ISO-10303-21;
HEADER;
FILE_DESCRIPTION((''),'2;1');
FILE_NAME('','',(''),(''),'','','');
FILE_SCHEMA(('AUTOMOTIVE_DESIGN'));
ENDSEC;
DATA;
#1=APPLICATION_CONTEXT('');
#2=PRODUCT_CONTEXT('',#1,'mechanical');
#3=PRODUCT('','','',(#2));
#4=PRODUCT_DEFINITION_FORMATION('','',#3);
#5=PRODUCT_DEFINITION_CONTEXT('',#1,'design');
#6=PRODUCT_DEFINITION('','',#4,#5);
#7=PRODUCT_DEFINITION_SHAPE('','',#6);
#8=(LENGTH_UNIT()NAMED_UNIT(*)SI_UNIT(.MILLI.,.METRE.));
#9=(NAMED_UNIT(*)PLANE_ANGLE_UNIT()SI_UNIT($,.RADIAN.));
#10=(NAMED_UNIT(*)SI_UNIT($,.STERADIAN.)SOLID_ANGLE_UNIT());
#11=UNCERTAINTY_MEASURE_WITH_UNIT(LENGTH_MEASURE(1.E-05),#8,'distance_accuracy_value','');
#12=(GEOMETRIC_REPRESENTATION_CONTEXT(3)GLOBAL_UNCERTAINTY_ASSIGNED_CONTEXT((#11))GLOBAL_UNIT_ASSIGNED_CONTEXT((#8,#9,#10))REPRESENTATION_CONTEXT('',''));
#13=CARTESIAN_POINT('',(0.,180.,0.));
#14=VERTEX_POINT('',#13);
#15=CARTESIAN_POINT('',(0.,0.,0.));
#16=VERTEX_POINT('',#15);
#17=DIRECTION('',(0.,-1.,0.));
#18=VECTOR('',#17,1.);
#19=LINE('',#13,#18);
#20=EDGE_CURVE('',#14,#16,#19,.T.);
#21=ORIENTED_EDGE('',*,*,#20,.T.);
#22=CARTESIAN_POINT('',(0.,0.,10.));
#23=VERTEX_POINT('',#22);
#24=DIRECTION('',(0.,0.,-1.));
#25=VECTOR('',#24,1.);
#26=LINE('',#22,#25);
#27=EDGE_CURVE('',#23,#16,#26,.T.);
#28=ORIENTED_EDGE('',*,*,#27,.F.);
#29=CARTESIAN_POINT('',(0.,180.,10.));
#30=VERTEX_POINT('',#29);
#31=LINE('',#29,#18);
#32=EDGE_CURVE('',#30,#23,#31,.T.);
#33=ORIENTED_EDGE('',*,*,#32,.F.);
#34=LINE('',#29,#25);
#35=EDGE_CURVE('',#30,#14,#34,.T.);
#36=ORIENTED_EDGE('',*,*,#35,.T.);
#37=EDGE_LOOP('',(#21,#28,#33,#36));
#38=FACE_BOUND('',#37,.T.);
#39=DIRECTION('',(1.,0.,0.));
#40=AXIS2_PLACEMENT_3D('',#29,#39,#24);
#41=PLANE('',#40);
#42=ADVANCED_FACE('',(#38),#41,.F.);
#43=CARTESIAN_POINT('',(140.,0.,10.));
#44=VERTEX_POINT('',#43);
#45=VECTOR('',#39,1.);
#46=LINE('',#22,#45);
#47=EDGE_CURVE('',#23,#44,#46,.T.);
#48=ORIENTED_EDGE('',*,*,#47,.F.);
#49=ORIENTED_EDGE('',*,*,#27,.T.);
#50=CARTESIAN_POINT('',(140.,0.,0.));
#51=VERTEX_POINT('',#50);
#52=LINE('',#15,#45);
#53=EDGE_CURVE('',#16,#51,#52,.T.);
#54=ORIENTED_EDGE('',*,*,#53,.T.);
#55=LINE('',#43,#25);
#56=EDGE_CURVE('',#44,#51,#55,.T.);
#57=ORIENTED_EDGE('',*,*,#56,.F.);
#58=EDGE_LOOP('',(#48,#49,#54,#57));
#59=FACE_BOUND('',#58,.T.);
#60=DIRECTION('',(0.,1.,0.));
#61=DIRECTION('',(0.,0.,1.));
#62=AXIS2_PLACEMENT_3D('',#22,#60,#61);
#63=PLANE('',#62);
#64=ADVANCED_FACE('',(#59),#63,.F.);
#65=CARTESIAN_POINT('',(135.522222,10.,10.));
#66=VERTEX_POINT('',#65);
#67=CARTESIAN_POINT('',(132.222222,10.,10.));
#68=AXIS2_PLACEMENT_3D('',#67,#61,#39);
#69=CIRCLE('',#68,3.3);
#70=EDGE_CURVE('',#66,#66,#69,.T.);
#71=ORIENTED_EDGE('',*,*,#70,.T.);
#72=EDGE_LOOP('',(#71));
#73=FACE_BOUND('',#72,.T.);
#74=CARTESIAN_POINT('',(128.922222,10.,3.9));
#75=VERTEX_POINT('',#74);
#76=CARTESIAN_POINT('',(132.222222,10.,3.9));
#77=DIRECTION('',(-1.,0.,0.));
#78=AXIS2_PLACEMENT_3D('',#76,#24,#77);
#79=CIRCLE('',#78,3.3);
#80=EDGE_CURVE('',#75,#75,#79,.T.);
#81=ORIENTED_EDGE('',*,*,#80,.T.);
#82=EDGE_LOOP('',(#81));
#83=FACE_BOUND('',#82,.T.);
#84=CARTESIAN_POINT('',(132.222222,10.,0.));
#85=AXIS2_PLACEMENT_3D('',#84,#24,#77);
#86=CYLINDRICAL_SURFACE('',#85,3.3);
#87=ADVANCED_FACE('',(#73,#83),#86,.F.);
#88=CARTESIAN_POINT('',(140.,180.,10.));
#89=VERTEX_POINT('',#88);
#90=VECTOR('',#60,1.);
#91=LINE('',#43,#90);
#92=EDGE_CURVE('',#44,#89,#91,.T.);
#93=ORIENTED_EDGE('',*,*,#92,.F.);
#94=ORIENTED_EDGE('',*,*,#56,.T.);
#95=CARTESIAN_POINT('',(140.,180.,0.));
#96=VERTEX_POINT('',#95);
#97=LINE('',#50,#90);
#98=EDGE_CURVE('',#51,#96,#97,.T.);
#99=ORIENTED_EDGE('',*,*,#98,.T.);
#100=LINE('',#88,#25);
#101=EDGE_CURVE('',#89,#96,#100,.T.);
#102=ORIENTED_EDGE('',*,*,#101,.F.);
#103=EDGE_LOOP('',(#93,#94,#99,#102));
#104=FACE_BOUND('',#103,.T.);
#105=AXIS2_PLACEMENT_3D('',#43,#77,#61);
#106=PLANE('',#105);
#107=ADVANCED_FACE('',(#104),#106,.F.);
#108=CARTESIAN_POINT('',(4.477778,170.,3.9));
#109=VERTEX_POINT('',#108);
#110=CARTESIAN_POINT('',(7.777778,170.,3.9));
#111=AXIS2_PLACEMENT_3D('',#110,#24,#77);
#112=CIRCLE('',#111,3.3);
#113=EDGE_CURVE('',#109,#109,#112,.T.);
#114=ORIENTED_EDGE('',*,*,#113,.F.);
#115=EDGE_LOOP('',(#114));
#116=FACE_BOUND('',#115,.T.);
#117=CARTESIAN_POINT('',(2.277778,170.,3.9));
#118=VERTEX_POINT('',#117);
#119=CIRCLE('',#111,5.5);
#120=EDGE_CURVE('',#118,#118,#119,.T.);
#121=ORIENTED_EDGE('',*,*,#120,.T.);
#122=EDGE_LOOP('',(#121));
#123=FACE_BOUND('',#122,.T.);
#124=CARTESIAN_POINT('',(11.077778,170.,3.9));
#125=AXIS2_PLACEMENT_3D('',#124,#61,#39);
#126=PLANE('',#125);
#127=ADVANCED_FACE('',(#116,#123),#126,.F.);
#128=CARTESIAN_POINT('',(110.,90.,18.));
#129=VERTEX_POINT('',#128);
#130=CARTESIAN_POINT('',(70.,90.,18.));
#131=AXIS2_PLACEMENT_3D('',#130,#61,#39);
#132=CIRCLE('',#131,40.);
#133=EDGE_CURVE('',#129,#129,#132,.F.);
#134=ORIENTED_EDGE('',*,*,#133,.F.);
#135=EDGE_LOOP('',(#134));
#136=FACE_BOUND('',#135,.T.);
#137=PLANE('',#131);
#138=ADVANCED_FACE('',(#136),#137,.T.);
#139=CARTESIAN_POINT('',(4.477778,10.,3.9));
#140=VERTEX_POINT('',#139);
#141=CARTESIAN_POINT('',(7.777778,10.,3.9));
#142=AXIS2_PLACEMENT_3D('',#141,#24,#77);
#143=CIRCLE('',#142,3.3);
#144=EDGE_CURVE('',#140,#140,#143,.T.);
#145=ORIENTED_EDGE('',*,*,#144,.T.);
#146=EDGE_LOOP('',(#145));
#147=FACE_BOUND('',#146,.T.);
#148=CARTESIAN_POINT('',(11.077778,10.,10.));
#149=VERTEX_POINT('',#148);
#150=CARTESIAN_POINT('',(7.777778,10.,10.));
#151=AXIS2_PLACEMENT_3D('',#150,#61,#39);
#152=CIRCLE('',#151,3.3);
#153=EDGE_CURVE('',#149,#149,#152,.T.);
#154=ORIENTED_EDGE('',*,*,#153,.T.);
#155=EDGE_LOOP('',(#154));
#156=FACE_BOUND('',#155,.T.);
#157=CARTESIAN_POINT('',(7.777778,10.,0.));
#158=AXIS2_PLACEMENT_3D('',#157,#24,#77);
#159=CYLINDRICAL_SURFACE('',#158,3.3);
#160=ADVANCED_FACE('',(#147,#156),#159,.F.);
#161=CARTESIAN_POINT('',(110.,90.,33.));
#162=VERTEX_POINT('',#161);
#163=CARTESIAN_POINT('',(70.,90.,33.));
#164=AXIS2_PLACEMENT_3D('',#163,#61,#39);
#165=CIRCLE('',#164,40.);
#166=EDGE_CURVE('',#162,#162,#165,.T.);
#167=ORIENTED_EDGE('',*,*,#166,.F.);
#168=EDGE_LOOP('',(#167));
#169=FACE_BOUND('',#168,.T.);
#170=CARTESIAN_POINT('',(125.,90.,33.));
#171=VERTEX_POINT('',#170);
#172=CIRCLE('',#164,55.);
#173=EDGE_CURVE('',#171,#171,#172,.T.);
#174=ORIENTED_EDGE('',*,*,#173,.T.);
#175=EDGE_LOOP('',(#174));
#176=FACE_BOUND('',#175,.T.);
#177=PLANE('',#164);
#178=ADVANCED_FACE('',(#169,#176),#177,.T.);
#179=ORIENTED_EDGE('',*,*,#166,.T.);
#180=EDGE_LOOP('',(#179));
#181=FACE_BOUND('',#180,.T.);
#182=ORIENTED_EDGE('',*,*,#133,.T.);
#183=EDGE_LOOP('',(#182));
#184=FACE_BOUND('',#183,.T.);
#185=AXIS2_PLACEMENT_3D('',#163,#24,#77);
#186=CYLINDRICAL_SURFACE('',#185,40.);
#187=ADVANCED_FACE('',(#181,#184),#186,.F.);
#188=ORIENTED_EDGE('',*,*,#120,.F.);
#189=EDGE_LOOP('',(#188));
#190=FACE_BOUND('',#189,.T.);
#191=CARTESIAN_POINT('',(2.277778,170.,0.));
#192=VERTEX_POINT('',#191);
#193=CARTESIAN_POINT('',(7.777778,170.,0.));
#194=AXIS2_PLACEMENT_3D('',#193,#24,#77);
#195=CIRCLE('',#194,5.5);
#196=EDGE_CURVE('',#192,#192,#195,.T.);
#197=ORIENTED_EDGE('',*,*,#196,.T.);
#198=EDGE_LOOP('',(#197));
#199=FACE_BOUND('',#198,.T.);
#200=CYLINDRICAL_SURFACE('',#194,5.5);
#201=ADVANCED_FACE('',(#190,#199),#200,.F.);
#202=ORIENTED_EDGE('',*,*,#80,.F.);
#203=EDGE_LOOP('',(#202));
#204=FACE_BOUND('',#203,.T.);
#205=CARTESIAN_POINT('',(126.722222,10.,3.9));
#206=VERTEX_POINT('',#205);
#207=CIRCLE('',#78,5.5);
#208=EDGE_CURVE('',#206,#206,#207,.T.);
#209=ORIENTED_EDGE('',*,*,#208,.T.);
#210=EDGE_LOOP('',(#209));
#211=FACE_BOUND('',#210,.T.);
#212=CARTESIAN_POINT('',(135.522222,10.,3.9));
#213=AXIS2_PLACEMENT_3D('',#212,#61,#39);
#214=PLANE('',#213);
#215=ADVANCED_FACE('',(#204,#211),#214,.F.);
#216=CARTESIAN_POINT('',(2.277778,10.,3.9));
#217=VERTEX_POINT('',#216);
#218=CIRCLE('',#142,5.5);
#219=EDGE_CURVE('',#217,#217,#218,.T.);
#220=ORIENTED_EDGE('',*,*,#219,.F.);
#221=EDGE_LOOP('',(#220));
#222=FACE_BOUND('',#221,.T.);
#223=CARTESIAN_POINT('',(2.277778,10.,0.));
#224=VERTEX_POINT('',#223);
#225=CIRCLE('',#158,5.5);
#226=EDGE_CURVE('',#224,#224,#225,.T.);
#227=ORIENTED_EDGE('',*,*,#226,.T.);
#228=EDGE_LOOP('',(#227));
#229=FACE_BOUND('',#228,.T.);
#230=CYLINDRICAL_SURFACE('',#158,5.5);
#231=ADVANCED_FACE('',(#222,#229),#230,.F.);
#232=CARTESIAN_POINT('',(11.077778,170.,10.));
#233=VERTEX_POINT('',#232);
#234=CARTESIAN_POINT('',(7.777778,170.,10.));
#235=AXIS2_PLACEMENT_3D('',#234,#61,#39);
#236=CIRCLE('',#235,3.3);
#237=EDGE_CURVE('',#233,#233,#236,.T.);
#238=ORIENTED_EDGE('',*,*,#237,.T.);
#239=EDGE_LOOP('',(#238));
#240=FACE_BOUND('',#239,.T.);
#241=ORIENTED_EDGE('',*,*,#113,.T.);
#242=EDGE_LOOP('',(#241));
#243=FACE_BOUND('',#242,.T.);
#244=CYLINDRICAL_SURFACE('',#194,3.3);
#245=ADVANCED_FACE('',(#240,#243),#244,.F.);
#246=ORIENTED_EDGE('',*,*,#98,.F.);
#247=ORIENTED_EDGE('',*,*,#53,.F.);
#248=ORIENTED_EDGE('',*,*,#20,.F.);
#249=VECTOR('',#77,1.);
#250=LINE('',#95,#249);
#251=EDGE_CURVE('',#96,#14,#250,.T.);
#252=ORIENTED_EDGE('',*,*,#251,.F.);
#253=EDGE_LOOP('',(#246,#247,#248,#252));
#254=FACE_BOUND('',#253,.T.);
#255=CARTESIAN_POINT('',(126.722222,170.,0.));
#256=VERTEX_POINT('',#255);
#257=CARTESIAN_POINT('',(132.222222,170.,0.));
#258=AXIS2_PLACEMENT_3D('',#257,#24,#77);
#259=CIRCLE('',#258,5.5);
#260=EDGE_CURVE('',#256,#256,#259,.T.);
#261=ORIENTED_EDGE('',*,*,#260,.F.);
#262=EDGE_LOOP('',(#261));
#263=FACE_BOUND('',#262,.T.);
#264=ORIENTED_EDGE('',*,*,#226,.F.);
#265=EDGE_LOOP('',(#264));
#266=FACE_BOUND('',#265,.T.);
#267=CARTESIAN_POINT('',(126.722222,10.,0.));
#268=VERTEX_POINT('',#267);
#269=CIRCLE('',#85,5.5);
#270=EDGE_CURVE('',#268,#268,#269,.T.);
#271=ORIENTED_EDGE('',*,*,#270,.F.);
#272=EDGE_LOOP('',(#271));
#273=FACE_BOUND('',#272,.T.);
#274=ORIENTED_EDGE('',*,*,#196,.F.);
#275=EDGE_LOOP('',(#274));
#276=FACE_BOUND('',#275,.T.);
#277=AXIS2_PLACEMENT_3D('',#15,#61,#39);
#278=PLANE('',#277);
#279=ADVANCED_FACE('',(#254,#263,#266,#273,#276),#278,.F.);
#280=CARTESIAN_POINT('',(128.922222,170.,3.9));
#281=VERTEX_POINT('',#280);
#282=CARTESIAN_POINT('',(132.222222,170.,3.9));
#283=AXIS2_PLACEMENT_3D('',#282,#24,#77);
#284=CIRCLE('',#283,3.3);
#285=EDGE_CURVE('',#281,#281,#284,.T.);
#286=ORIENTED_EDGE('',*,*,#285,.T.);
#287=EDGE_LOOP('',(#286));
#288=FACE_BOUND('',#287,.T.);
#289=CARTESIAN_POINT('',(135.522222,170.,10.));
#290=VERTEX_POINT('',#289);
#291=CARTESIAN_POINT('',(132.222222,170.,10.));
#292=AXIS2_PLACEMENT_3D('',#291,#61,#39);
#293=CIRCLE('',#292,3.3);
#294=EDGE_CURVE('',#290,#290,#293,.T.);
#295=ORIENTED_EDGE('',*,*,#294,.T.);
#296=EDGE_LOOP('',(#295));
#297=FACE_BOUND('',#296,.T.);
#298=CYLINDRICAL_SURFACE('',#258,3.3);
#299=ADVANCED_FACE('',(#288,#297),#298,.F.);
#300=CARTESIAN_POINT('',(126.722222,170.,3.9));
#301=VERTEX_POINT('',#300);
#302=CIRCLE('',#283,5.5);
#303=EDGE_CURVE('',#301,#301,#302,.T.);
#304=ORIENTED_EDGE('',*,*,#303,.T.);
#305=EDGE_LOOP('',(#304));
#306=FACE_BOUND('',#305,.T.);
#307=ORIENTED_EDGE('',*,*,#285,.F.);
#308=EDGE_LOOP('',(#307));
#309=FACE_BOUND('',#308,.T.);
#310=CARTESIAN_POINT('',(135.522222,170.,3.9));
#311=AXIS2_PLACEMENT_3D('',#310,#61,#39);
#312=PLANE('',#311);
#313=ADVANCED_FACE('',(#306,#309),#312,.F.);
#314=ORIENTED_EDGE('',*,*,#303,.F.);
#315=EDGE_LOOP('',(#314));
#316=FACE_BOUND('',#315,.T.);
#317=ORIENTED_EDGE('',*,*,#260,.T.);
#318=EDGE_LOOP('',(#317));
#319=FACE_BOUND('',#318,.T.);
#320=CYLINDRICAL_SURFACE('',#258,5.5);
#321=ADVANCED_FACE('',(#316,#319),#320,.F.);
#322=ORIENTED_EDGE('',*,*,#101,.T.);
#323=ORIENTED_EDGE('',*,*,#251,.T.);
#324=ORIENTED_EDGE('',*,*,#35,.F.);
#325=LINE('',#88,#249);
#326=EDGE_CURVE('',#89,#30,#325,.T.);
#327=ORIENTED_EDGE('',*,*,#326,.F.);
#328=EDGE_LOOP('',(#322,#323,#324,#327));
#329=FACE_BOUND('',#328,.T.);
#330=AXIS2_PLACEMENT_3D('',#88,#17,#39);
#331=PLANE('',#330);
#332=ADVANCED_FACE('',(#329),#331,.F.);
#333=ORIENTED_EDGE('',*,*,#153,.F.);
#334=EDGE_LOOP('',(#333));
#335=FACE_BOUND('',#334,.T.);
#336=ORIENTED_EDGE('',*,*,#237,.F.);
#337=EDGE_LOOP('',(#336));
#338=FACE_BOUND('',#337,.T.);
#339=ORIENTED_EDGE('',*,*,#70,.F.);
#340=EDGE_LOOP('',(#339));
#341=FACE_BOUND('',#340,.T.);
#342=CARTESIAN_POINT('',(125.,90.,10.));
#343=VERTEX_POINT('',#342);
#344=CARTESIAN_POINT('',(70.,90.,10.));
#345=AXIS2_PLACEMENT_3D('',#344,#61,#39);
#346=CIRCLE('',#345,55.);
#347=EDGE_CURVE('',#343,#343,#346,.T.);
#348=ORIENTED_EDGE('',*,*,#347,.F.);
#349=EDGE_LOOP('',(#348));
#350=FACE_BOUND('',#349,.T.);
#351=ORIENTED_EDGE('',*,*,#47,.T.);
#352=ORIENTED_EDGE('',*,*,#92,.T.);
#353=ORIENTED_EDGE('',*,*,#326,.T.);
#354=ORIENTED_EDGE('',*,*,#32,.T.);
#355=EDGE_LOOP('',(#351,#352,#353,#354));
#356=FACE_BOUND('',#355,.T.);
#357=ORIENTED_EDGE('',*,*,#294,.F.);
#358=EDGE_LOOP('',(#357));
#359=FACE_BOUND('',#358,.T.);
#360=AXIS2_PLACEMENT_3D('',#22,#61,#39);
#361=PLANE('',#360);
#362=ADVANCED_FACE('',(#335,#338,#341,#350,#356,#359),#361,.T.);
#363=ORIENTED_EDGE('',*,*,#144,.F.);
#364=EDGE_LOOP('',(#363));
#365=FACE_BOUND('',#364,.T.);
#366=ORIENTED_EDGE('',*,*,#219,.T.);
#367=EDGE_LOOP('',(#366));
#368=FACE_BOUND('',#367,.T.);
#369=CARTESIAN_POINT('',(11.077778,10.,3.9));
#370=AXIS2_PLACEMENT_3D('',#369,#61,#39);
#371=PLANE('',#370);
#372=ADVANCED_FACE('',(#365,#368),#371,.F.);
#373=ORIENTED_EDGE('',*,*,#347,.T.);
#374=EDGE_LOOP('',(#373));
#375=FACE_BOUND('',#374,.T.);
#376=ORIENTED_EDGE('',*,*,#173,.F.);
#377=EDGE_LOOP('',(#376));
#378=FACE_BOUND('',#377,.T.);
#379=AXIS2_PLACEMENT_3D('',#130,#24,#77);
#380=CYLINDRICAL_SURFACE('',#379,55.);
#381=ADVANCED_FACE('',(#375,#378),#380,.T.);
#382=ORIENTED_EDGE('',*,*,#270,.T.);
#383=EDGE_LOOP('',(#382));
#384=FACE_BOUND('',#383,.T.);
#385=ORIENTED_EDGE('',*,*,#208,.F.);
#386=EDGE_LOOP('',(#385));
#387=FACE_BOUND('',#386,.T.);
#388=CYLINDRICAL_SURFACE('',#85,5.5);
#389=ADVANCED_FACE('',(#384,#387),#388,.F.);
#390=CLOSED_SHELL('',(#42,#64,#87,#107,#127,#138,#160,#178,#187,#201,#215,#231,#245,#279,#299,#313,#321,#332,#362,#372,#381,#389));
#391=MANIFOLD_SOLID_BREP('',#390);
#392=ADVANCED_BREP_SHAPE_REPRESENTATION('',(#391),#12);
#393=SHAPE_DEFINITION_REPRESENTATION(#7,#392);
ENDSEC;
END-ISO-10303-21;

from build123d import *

# Parameters (mm, degrees)
CROQUIS1_W                                           = 140
CROQUIS1_H                                           = 180
SALIENTE_EXTRUIR1_DEPTH                              = 10
CROQUIS2_R                                           = 55
SALIENTE_EXTRUIR2_DEPTH                              = 8
CROQUIS3_R                                           = 55
CROQUIS3_R_2                                         = 40
SALIENTE_EXTRUIR3_DEPTH                              = 15
REFRENTADO_PARA_TORNILLO_CON_CABEZA_PLAN_D           = 6.6
REFRENTADO_PARA_TORNILLO_CON_CABEZA_PLAN_CBORE_D     = 11
REFRENTADO_PARA_TORNILLO_CON_CABEZA_PLAN_CBORE_DEPTH = 3.9


with BuildPart() as part:
    # Croquis1 → Saliente-Extruir1 (new body)
    with BuildSketch(Plane.XY):
        with Locations((70, 90)):
            Rectangle(CROQUIS1_W, CROQUIS1_H)
    extrude(amount=SALIENTE_EXTRUIR1_DEPTH)

    # Croquis2 → Saliente-Extruir2 (add)
    with BuildSketch(Plane.XY.offset(10)):
        with Locations((70, 90)):
            Circle(CROQUIS2_R)
    extrude(amount=SALIENTE_EXTRUIR2_DEPTH)

    # Croquis3 → Saliente-Extruir3 (add)
    with BuildSketch(Plane.XY.offset(18)):
        with Locations((70, 90)):
            Circle(CROQUIS3_R)
        with Locations((70, 90)):
            Circle(CROQUIS3_R_2, mode=Mode.SUBTRACT)
    extrude(amount=SALIENTE_EXTRUIR3_DEPTH)

    # Refrentado para tornillo con cabeza plana de M61 (through all)
    with Locations(Plane(origin=(0, 0, 0), x_dir=(-1, 0, 0), z_dir=(0, 0, -1))):
        with Locations((-132.222222222, 170), (-7.777777778, 170), (-7.777777778, 10), (-132.222222222, 10)):
            CounterBoreHole(REFRENTADO_PARA_TORNILLO_CON_CABEZA_PLAN_D / 2, REFRENTADO_PARA_TORNILLO_CON_CABEZA_PLAN_CBORE_D / 2, REFRENTADO_PARA_TORNILLO_CON_CABEZA_PLAN_CBORE_DEPTH)


solid = part.part
